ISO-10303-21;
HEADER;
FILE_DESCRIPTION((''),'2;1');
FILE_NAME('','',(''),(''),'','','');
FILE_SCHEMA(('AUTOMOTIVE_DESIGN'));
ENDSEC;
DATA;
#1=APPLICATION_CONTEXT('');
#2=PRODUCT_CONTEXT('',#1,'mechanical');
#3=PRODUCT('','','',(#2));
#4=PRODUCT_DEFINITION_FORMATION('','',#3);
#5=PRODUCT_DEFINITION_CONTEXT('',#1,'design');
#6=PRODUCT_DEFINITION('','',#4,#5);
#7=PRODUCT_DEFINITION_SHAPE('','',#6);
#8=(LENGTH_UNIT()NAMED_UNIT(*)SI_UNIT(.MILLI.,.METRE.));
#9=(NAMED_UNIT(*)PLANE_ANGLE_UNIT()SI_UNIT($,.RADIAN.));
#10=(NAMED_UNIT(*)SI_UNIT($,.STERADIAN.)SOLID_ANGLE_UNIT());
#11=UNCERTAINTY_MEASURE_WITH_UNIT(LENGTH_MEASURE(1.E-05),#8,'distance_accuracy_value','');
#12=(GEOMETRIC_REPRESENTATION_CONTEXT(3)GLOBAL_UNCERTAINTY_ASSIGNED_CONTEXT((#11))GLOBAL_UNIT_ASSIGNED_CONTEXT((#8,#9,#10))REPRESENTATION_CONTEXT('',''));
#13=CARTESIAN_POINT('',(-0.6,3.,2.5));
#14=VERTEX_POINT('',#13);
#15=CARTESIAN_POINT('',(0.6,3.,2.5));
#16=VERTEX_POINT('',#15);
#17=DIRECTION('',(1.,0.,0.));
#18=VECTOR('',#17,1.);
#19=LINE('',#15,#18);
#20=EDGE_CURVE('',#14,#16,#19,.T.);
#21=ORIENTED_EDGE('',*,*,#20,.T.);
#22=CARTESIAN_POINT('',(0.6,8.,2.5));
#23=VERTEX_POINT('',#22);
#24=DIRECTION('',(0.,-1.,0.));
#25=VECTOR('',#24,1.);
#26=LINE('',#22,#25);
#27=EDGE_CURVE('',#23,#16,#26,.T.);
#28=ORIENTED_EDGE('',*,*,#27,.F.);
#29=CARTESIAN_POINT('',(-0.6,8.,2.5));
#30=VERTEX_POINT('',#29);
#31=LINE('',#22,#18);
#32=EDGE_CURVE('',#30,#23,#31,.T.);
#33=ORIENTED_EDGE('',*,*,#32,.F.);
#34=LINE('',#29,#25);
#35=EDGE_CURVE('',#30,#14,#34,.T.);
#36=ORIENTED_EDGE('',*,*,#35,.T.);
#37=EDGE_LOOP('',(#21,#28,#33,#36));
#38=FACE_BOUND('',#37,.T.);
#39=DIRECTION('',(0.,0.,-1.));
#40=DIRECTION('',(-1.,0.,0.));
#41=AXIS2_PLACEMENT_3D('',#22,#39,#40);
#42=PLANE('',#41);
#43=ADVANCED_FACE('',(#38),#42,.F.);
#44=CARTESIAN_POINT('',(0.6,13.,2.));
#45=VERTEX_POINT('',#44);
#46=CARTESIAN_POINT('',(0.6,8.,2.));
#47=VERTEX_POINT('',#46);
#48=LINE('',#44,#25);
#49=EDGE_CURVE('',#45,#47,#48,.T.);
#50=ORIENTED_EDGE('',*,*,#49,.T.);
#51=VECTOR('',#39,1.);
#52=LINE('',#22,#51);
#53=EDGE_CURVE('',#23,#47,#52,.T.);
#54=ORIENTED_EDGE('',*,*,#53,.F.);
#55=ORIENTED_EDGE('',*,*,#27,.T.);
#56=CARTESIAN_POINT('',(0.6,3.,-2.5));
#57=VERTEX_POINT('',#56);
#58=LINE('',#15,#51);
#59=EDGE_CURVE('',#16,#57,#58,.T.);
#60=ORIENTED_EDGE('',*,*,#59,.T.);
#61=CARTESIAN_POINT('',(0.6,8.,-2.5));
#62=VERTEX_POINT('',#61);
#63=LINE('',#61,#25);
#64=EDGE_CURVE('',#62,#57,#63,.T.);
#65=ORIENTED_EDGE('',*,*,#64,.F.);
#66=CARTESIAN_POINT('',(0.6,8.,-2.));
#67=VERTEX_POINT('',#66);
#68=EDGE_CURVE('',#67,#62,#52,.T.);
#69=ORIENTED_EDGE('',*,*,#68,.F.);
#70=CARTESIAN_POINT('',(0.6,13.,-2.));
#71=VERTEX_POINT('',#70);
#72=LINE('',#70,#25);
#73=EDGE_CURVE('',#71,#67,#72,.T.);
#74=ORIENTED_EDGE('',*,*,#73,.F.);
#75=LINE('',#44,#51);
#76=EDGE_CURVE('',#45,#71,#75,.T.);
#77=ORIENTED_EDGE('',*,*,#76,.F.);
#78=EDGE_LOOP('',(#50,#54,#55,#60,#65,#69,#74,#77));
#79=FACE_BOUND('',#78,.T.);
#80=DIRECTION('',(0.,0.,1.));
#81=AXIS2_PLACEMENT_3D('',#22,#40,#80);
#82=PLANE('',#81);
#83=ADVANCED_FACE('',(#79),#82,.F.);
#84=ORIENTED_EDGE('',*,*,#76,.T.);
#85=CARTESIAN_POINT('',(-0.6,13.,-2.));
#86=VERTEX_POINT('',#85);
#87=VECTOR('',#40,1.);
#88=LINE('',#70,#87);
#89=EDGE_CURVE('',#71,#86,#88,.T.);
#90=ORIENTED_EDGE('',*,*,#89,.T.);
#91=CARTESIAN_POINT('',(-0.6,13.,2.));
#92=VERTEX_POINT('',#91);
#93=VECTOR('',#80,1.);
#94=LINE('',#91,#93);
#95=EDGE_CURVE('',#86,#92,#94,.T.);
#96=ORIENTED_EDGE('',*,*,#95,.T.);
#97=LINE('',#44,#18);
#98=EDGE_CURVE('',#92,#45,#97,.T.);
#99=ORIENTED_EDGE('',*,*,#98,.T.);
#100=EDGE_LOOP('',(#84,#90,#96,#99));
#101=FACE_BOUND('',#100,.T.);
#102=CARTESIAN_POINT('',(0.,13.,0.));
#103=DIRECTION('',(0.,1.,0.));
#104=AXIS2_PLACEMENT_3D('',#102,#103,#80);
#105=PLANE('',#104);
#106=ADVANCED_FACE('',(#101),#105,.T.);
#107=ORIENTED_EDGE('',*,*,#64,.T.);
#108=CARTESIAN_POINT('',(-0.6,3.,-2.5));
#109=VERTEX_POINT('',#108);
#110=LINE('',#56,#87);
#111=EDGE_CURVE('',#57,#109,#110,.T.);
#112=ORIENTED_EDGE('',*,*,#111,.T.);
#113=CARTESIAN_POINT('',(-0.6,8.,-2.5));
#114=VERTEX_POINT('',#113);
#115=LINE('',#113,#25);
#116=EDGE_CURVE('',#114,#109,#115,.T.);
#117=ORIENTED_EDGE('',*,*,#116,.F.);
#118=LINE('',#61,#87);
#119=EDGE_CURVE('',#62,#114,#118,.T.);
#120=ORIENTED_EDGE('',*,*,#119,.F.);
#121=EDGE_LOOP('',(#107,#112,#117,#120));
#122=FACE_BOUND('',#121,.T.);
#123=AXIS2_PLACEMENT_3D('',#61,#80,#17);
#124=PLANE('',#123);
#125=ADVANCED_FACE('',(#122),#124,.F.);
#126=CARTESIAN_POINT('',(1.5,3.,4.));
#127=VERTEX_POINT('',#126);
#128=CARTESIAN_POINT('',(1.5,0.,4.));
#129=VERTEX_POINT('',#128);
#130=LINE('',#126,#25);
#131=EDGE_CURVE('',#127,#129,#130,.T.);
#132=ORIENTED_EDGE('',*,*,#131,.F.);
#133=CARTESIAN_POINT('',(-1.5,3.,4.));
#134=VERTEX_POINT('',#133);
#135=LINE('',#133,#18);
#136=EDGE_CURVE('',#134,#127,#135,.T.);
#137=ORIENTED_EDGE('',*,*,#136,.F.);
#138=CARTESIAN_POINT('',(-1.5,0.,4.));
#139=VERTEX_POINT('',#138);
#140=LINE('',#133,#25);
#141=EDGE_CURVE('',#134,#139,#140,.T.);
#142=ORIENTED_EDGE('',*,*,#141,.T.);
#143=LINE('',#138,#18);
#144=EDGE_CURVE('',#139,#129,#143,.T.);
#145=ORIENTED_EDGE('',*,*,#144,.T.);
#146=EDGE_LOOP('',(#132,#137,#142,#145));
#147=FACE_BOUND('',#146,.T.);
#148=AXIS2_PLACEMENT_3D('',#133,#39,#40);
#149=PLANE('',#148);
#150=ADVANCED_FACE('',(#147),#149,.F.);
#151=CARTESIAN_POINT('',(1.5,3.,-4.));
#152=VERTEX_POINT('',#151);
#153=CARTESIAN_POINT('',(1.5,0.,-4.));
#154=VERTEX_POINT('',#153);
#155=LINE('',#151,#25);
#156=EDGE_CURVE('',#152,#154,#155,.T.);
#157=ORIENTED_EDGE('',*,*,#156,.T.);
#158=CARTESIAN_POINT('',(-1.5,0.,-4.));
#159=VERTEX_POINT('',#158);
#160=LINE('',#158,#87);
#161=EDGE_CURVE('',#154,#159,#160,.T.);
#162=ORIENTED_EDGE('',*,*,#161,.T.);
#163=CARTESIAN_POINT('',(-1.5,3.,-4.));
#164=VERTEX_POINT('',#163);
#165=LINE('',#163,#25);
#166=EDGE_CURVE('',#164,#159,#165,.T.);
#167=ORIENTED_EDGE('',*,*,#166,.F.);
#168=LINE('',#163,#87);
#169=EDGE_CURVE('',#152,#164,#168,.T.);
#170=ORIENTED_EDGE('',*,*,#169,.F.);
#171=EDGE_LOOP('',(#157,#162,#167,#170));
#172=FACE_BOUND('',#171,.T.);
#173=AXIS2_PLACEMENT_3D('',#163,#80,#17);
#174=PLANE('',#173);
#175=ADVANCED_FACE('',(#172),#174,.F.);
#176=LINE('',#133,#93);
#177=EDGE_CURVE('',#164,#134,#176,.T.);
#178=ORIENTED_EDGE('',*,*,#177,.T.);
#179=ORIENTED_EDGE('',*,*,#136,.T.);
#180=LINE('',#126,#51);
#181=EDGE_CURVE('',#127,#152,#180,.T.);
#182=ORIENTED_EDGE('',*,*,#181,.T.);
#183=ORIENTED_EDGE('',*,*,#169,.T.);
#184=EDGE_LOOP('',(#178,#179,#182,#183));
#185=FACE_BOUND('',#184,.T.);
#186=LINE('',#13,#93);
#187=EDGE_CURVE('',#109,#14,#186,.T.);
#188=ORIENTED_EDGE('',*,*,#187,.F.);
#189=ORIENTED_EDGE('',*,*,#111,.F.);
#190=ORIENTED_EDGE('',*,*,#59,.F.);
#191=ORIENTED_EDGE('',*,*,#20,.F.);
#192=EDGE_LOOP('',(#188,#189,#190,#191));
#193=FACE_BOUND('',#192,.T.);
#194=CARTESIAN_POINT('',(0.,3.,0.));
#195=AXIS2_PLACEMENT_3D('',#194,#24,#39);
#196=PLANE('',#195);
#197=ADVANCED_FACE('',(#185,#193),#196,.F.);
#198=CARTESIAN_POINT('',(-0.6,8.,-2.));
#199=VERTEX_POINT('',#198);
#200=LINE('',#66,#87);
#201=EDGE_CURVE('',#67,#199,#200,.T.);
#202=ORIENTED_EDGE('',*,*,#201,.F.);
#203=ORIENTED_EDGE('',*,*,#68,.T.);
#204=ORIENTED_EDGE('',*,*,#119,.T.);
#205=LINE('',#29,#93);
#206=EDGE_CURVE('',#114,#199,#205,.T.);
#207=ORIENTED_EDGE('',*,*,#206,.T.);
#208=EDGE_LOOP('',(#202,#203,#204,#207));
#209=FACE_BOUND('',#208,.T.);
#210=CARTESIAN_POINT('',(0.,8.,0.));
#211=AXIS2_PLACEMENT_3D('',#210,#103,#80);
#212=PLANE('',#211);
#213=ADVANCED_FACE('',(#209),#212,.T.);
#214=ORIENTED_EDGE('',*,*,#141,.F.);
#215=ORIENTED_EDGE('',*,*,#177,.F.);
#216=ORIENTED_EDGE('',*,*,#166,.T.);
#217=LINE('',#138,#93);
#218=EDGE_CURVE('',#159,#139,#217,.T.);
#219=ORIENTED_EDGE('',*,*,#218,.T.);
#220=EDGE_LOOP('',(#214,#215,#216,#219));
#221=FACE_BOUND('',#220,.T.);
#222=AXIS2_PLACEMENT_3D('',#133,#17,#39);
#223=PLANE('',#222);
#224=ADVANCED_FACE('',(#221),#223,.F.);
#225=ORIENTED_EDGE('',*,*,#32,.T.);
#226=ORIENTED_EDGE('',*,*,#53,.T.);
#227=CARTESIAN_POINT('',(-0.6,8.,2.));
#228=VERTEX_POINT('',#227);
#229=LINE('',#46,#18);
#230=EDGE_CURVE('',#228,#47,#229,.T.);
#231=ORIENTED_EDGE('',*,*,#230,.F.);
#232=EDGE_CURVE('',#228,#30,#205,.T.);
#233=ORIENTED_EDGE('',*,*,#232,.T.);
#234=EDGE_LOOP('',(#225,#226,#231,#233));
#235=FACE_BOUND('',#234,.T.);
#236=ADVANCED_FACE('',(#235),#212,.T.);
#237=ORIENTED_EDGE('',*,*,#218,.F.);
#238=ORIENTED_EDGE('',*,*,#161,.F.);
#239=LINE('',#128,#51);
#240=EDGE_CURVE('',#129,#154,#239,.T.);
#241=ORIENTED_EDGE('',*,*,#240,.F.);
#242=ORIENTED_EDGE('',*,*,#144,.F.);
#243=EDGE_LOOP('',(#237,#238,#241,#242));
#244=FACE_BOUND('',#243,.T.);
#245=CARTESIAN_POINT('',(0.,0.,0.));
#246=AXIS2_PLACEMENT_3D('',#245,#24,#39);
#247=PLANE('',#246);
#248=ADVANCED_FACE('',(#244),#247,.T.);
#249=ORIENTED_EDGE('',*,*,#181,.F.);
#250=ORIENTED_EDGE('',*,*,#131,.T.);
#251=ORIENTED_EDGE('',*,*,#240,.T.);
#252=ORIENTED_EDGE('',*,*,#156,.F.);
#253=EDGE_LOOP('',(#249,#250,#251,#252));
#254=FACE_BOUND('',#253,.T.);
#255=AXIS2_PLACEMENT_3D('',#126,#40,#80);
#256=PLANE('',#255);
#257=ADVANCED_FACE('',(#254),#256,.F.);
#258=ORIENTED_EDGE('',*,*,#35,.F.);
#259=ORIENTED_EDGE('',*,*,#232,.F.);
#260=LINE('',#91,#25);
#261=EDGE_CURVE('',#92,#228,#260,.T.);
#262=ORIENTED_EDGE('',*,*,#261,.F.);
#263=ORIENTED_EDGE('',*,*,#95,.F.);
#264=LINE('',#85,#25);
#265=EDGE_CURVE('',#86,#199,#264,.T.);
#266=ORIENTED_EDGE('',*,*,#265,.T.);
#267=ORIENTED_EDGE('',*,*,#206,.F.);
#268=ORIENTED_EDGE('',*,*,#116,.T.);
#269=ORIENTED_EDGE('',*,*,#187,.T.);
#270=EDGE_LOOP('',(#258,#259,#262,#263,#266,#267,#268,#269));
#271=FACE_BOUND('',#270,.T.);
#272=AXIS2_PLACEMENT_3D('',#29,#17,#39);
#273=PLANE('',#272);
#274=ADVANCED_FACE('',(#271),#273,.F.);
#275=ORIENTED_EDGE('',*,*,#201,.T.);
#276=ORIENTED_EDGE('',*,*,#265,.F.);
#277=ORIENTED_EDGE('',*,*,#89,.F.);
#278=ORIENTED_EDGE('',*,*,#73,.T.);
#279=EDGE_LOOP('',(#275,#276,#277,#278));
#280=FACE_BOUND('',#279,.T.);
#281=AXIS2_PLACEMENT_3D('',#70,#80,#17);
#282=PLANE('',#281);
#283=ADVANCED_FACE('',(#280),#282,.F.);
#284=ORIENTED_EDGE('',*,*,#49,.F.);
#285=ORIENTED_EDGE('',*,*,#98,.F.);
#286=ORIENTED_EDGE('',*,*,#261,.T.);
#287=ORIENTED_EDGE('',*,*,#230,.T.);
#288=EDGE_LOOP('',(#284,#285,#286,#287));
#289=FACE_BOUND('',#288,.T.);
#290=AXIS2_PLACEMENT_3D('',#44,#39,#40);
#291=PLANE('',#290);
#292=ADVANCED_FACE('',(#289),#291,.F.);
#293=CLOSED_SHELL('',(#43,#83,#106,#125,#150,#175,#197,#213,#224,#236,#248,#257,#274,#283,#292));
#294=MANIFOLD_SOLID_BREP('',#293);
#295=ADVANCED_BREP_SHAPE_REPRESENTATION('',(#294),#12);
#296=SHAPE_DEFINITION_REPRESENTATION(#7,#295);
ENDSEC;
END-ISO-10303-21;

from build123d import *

# Parameters (mm, degrees)
SKETCH_1_W      = 3
SKETCH_1_H      = 8
EXTRUDE_1_DEPTH = 3
SKETCH_2_W      = 1.2
SKETCH_2_H      = 5
EXTRUDE_2_DEPTH = 5
SKETCH_3_W      = 1.2
SKETCH_3_H      = 4
EXTRUDE_3_DEPTH = 5


with BuildPart() as part:
    # 草图1 → 凸台-拉伸1 (new body)
    with BuildSketch(Plane(origin=(0, 0, 0), x_dir=(1, 0, 0), z_dir=(0, 1, 0))):
        Rectangle(SKETCH_1_W, SKETCH_1_H)
    extrude(amount=EXTRUDE_1_DEPTH)

    # 草图2 → 凸台-拉伸2 (add)
    with BuildSketch(Plane(origin=(0, 3, 0), x_dir=(1, 0, 0), z_dir=(0, 1, 0))):
        Rectangle(SKETCH_2_W, SKETCH_2_H)
    extrude(amount=EXTRUDE_2_DEPTH)

    # 草图3 → 凸台-拉伸3 (add)
    with BuildSketch(Plane(origin=(0, 8, 0), x_dir=(1, 0, 0), z_dir=(0, 1, 0))):
        Rectangle(SKETCH_3_W, SKETCH_3_H)
    extrude(amount=EXTRUDE_3_DEPTH)


solid = part.part
